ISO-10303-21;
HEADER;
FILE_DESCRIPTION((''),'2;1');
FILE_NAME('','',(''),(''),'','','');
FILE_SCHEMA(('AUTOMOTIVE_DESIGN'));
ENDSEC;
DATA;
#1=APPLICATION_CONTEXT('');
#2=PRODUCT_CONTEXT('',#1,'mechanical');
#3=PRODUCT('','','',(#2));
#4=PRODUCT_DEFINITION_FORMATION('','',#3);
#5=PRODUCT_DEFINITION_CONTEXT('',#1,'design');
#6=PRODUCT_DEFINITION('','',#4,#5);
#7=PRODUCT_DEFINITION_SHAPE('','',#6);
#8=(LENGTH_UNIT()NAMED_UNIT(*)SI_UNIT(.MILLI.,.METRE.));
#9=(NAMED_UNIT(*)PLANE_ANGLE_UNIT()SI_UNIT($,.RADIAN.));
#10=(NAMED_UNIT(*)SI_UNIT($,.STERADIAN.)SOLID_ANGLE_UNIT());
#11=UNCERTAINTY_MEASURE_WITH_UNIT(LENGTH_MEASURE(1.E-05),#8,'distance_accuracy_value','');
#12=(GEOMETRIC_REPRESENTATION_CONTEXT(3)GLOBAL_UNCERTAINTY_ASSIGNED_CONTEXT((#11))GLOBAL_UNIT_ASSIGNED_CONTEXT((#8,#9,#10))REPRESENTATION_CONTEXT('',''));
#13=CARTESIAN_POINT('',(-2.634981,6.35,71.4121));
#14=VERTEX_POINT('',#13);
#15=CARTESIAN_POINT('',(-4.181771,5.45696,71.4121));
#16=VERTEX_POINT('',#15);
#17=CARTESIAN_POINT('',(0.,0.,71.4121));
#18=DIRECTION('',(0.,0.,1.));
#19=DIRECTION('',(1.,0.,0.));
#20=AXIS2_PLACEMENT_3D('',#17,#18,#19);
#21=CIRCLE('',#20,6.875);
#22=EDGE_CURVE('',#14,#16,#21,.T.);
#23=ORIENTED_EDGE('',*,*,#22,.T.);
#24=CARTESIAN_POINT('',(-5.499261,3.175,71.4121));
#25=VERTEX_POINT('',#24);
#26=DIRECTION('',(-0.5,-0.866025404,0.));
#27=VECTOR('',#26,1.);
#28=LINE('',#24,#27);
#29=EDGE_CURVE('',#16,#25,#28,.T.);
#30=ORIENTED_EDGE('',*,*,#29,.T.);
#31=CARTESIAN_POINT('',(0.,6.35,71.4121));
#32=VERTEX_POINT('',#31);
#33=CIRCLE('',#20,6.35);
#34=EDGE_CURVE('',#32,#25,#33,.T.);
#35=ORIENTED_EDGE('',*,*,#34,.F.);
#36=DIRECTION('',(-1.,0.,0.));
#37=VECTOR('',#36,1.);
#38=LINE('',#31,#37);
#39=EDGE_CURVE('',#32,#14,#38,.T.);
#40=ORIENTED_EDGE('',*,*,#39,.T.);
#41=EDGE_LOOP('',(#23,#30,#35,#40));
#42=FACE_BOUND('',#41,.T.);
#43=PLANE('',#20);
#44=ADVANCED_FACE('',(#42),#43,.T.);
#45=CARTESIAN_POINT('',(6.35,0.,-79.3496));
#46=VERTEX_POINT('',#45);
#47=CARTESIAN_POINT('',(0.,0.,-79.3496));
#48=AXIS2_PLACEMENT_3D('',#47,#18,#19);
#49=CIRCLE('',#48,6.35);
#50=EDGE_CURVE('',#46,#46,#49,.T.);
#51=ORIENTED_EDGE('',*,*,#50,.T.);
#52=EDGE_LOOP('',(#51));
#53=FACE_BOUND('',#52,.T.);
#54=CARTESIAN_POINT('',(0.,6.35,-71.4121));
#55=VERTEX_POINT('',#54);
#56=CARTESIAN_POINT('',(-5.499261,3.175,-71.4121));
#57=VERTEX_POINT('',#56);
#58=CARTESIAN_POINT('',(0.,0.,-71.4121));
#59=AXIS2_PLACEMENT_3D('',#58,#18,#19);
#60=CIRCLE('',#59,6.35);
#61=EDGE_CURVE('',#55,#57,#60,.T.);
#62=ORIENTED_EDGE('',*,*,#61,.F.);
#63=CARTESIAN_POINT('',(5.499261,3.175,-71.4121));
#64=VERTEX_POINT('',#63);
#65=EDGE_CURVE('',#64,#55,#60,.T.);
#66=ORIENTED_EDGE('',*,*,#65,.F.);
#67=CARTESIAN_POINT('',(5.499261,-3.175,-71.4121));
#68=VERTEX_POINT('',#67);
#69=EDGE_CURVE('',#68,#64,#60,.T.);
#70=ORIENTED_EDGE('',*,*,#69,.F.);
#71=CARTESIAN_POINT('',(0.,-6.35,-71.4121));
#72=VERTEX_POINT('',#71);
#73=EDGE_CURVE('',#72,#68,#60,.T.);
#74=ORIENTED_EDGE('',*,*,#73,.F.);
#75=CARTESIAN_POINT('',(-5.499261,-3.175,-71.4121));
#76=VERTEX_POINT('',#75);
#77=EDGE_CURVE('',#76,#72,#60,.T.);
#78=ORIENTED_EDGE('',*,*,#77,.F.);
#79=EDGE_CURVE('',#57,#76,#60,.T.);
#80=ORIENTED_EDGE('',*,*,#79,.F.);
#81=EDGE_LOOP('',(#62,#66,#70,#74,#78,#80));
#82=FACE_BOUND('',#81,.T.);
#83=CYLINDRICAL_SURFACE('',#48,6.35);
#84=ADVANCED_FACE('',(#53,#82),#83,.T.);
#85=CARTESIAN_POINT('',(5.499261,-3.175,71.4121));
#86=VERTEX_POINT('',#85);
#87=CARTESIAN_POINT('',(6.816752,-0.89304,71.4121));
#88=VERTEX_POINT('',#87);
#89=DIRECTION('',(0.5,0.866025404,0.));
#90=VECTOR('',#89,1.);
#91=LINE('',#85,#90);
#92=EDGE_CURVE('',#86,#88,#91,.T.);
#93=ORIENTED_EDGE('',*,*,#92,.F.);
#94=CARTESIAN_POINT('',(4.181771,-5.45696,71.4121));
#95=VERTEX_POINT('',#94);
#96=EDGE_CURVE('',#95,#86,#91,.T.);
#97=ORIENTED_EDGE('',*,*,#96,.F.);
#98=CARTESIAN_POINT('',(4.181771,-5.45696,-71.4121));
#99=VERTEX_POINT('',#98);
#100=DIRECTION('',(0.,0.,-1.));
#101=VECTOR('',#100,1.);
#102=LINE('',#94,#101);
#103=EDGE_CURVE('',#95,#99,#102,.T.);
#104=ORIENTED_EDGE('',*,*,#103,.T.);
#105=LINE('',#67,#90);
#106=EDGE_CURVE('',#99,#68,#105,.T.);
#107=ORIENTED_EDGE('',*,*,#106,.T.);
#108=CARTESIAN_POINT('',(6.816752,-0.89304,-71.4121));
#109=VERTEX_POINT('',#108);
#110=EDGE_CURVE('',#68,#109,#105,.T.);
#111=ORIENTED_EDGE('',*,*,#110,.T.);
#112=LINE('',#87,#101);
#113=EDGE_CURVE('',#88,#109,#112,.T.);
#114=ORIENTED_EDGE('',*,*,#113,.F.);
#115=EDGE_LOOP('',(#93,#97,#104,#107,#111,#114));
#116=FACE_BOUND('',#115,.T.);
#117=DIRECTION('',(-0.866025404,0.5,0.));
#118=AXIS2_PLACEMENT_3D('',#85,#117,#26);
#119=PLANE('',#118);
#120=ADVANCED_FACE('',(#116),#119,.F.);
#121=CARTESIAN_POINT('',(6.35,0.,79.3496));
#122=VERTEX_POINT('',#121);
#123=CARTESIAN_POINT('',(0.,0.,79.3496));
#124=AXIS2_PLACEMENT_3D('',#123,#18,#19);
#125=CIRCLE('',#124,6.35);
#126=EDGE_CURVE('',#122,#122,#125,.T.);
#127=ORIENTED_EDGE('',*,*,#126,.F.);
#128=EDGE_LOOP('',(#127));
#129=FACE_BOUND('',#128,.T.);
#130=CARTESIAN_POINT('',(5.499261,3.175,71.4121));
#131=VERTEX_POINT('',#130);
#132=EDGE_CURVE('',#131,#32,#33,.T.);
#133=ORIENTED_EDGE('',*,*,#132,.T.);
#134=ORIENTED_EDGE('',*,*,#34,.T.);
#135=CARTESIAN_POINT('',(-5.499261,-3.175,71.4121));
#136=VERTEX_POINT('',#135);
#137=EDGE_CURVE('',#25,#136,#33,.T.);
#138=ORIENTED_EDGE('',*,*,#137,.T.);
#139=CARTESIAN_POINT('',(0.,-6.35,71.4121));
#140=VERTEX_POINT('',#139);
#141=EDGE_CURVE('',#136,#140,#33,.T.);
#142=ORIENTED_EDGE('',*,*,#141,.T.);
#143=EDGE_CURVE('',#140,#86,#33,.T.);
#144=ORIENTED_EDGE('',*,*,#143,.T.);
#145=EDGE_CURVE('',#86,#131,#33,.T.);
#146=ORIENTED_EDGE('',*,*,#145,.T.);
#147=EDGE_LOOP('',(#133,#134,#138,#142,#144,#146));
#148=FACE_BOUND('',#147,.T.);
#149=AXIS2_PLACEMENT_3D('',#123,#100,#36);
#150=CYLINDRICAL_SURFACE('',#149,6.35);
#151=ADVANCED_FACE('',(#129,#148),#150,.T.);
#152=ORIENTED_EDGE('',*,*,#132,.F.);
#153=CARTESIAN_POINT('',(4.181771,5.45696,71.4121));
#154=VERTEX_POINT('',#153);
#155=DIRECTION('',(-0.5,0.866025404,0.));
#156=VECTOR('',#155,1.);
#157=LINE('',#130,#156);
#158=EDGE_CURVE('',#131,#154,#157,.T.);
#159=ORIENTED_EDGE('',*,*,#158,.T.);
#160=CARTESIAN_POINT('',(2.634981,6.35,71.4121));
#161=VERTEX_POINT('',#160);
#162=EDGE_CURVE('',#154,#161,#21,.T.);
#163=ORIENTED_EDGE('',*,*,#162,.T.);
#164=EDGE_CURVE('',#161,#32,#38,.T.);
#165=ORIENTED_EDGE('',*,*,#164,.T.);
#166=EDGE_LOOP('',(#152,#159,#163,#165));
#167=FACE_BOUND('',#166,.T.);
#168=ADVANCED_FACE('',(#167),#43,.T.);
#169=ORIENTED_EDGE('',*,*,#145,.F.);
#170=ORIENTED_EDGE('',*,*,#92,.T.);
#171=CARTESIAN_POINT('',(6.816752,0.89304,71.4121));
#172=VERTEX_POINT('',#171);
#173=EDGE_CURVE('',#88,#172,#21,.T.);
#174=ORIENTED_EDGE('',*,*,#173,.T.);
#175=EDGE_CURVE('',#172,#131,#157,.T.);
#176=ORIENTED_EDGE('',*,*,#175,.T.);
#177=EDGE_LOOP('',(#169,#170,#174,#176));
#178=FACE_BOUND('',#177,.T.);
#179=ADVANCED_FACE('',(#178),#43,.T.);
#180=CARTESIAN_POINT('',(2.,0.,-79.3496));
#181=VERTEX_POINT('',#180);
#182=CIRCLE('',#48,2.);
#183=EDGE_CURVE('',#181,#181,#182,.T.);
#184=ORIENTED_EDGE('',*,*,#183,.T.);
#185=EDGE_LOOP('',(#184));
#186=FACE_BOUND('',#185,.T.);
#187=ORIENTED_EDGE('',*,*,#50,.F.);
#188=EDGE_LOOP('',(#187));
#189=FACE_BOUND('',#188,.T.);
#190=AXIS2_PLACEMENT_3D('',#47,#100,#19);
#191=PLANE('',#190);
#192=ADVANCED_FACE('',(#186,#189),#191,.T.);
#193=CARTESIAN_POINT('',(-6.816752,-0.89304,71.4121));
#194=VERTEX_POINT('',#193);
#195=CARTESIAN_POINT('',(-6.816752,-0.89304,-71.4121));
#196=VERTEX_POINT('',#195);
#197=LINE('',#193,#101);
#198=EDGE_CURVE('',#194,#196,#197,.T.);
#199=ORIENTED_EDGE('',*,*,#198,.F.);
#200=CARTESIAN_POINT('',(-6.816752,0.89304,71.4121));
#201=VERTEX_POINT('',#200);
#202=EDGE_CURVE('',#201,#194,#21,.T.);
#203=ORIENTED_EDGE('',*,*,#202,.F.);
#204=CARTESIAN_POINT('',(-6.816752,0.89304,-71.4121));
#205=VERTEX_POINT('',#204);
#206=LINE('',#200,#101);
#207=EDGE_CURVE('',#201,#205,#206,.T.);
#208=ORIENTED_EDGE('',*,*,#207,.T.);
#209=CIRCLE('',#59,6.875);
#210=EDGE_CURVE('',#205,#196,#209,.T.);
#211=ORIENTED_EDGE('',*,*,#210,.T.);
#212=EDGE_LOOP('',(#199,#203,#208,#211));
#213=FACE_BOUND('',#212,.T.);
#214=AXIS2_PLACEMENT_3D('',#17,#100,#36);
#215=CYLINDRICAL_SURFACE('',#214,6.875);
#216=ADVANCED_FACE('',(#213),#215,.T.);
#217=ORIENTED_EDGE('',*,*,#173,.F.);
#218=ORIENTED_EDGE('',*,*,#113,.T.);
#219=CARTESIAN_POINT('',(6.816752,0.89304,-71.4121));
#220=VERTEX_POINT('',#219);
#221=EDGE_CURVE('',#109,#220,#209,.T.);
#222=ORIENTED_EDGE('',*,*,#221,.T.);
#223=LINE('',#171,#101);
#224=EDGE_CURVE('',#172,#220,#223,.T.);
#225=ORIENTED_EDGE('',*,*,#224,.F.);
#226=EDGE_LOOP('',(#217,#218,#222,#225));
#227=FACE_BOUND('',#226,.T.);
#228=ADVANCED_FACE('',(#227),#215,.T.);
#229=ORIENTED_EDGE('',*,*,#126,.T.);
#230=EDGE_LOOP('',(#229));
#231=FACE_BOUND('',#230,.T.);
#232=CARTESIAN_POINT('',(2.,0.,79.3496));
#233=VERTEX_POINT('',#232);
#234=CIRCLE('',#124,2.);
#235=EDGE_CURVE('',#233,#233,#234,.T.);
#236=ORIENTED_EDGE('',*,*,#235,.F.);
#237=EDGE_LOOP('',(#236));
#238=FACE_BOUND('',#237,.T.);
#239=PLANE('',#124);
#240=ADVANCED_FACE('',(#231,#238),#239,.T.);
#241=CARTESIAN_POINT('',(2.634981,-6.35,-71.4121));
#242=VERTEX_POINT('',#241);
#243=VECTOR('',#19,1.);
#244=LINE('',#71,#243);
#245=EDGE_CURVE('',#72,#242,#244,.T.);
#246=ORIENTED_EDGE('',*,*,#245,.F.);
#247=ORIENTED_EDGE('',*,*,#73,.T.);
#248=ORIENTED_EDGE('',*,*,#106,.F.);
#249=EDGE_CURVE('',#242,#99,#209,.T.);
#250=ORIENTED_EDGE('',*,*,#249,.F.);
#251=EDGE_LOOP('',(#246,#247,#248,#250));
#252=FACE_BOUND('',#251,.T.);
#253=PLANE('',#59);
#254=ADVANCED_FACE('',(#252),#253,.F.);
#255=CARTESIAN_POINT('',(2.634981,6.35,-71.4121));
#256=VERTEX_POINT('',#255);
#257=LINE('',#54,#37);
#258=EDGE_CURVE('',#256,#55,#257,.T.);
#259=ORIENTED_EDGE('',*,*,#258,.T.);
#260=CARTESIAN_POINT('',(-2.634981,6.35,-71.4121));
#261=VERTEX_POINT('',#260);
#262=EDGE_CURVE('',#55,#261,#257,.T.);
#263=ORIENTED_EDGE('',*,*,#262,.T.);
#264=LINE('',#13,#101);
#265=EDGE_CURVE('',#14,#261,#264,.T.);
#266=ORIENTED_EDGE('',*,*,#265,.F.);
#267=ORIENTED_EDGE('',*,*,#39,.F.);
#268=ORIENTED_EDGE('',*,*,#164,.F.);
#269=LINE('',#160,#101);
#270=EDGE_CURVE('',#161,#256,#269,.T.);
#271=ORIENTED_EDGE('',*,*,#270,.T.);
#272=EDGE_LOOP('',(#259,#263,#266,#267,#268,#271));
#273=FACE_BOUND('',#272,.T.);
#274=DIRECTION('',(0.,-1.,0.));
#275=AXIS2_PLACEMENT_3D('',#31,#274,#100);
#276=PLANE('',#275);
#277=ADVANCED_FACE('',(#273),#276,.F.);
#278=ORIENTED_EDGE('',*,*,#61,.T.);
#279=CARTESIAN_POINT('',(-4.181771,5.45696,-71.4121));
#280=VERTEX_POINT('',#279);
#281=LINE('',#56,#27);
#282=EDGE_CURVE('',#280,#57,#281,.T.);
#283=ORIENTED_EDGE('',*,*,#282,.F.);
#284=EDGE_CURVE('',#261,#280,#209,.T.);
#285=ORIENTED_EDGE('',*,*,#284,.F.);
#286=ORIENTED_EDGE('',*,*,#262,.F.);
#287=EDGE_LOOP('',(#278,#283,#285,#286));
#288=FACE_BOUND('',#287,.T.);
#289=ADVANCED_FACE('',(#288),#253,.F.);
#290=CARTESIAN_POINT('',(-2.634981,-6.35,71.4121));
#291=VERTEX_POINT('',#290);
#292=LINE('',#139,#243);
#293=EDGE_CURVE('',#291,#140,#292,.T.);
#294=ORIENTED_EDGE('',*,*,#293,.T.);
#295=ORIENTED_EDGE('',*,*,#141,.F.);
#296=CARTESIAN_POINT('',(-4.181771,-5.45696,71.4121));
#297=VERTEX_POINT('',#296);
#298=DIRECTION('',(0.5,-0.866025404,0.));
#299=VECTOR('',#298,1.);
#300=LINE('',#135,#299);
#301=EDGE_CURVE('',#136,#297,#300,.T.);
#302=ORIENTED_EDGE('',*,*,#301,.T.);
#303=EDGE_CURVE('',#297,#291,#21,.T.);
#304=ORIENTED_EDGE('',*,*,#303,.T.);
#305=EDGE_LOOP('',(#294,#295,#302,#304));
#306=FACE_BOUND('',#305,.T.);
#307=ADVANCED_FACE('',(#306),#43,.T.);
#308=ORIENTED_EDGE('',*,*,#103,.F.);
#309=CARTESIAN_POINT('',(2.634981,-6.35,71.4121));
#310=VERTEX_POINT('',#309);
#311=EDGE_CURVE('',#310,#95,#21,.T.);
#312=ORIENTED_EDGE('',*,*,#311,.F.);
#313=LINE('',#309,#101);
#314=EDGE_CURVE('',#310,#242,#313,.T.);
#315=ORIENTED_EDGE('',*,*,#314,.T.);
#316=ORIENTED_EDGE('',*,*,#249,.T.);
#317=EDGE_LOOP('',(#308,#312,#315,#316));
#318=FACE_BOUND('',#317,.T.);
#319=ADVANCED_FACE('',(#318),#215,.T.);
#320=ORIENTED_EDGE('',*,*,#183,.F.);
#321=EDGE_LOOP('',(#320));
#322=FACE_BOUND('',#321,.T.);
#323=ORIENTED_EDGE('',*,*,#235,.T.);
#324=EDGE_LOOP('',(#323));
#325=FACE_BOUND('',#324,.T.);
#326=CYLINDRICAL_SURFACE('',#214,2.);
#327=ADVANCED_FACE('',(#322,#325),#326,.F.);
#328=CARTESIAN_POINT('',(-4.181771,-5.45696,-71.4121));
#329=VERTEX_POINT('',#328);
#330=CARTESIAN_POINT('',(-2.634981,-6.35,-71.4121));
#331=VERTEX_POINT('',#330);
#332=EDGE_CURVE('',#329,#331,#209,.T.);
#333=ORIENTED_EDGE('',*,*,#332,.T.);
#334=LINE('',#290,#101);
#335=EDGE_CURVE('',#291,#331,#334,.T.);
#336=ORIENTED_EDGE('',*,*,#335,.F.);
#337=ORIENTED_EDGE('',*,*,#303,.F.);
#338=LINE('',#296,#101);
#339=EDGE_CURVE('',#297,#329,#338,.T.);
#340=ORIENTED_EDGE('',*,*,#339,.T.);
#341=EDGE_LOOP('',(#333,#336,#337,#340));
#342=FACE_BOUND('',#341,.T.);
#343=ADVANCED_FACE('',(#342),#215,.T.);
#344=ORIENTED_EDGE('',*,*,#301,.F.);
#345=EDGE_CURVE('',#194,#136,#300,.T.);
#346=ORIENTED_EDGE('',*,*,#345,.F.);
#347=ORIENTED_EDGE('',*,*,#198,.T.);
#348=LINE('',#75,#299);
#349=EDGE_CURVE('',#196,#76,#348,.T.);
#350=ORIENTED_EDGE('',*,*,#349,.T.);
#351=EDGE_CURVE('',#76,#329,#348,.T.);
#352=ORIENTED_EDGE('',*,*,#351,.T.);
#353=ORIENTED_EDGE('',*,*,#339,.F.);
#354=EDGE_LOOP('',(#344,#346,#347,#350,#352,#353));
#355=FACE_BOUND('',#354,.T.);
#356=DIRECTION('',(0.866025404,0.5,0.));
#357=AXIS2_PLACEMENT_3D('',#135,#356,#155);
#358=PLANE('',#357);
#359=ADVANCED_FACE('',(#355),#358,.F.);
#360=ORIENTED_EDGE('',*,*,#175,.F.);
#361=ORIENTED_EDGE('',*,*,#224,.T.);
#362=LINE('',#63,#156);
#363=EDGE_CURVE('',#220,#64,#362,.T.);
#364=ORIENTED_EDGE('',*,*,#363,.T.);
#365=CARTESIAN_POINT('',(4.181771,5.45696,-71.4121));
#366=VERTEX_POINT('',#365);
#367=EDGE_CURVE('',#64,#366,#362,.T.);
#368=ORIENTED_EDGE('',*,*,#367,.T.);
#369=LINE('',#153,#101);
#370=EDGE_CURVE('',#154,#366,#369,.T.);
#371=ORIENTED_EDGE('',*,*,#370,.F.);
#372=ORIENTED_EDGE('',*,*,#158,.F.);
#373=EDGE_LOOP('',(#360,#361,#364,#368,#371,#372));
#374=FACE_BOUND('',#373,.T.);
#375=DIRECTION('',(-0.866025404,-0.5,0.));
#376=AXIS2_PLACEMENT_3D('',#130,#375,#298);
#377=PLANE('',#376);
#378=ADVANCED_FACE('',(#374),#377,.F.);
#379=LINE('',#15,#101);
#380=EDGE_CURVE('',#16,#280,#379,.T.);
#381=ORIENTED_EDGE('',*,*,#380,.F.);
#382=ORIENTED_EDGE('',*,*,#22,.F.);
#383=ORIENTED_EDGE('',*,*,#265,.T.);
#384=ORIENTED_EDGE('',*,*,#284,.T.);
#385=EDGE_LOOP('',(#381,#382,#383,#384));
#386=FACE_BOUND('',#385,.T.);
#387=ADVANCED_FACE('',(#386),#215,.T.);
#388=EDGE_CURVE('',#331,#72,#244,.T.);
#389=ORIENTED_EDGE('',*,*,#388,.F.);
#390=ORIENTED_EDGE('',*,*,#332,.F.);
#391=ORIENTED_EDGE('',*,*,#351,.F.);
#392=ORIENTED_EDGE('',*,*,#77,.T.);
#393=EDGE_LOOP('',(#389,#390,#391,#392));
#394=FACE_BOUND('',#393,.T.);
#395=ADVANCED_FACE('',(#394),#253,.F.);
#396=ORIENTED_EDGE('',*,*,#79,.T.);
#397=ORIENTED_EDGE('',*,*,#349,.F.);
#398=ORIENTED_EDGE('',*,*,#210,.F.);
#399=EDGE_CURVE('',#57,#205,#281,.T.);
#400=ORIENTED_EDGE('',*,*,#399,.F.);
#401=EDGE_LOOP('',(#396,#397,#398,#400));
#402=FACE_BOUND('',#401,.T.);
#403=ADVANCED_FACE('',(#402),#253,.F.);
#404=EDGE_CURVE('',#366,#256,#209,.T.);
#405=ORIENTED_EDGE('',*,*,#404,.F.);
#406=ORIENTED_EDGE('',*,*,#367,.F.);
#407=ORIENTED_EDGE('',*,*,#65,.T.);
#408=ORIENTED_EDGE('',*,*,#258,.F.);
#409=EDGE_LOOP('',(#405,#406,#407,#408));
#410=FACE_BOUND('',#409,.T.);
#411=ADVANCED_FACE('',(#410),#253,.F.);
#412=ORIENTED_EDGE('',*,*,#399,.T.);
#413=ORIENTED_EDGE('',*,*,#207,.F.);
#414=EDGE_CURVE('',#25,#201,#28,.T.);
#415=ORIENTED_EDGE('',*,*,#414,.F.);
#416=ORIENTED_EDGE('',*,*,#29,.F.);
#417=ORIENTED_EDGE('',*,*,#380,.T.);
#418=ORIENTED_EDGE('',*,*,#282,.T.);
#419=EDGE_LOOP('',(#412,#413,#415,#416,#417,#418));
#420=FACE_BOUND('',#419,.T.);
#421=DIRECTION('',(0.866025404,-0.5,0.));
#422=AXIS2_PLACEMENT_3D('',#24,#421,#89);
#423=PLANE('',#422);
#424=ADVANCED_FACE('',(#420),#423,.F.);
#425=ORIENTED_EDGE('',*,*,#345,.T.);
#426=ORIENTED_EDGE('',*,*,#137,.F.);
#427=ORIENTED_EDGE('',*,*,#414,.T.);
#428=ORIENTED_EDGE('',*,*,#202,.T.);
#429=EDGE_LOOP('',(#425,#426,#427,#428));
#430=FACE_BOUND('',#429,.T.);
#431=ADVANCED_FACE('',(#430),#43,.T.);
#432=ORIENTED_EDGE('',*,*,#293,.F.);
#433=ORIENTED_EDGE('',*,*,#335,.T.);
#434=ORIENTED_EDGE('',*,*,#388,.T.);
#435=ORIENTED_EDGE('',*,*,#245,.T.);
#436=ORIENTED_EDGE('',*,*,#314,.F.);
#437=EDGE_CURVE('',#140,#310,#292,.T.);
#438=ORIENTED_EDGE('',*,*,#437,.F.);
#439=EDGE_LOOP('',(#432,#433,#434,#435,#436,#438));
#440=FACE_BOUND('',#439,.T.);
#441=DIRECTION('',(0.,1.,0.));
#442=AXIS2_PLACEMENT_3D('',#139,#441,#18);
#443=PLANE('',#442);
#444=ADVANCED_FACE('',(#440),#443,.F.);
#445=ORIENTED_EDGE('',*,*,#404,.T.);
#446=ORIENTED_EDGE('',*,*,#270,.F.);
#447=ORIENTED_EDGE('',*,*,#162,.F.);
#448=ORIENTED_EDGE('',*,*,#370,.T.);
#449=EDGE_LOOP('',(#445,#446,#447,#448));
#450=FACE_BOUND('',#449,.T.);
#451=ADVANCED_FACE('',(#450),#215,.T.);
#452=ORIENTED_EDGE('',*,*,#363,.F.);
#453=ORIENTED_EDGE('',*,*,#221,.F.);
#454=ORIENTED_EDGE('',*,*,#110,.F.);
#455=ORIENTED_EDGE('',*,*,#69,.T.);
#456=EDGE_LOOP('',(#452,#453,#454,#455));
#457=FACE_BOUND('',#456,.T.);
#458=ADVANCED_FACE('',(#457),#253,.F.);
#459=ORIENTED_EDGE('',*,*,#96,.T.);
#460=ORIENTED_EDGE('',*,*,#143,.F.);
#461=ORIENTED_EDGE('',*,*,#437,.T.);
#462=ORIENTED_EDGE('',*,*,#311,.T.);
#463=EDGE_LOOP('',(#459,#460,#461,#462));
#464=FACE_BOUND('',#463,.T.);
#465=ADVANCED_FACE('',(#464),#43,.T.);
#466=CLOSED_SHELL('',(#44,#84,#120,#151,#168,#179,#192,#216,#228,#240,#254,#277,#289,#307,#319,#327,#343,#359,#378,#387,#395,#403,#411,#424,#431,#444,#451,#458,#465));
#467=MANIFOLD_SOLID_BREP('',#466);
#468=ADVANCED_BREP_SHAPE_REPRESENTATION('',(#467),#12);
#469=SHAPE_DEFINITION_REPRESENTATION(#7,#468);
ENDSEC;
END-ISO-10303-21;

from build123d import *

# Parameters (mm, degrees)
SKETCH1_R           = 2.000000064
BOSS_EXTRUDE1_DEPTH = 71.4121
SKETCH4_R           = 6.35
SKETCH4_R_2         = 2.000000064
BOSS_EXTRUDE2_DEPTH = 7.9375


with BuildPart() as part:
    # Sketch1 → Boss-Extrude1 (new, symmetric)
    with BuildSketch(Plane.XY):
        with BuildLine():
            ThreePointArc((4.181770846, 5.456960429), (3.437499983, 5.953924622), (2.634980936, 6.35))
            Line((2.634980936, 6.35), (-2.634980936, 6.35))
            ThreePointArc((-2.634980936, 6.35), (-3.437499983, 5.953924622), (-4.181770846, 5.456960429))
            Line((-4.181770846, 5.456960429), (-6.816751782, 0.893039571))
            ThreePointArc((-6.816751782, 0.893039571), (-6.874999966, 0), (-6.816751782, -0.893039571))
            Line((-6.816751782, -0.893039571), (-4.181770846, -5.456960429))
            ThreePointArc((-4.181770846, -5.456960429), (-3.437499983, -5.953924622), (-2.634980936, -6.35))
            Line((-2.634980936, -6.35), (2.634980936, -6.35))
            ThreePointArc((2.634980936, -6.35), (3.437499983, -5.953924622), (4.181770846, -5.456960429))
            Line((4.181770846, -5.456960429), (6.816751782, -0.893039571))
            ThreePointArc((6.816751782, -0.893039571), (6.860422465, -0.447468582), (6.874999966, 0))
            ThreePointArc((6.874999966, 0), (6.860422465, 0.447468582), (6.816751782, 0.893039571))
            Line((6.816751782, 0.893039571), (4.181770846, 5.456960429))
        make_face()
        Circle(SKETCH1_R, mode=Mode.SUBTRACT)
    extrude(amount=BOSS_EXTRUDE1_DEPTH, both=True)

    # Sketch4 → Boss-Extrude2 (add)
    with BuildSketch(Plane.XY.offset(71.4121)):
        with Locations(Location((0, 0, 0), (0, 0, 150))):
            Circle(SKETCH4_R)
        Circle(SKETCH4_R_2, mode=Mode.SUBTRACT)
    boss_extrude2 = extrude(amount=BOSS_EXTRUDE2_DEPTH)

    # Mirror1: Boss-Extrude2 across plane
    add(boss_extrude2.mirror(Plane.XY))


solid = part.part
